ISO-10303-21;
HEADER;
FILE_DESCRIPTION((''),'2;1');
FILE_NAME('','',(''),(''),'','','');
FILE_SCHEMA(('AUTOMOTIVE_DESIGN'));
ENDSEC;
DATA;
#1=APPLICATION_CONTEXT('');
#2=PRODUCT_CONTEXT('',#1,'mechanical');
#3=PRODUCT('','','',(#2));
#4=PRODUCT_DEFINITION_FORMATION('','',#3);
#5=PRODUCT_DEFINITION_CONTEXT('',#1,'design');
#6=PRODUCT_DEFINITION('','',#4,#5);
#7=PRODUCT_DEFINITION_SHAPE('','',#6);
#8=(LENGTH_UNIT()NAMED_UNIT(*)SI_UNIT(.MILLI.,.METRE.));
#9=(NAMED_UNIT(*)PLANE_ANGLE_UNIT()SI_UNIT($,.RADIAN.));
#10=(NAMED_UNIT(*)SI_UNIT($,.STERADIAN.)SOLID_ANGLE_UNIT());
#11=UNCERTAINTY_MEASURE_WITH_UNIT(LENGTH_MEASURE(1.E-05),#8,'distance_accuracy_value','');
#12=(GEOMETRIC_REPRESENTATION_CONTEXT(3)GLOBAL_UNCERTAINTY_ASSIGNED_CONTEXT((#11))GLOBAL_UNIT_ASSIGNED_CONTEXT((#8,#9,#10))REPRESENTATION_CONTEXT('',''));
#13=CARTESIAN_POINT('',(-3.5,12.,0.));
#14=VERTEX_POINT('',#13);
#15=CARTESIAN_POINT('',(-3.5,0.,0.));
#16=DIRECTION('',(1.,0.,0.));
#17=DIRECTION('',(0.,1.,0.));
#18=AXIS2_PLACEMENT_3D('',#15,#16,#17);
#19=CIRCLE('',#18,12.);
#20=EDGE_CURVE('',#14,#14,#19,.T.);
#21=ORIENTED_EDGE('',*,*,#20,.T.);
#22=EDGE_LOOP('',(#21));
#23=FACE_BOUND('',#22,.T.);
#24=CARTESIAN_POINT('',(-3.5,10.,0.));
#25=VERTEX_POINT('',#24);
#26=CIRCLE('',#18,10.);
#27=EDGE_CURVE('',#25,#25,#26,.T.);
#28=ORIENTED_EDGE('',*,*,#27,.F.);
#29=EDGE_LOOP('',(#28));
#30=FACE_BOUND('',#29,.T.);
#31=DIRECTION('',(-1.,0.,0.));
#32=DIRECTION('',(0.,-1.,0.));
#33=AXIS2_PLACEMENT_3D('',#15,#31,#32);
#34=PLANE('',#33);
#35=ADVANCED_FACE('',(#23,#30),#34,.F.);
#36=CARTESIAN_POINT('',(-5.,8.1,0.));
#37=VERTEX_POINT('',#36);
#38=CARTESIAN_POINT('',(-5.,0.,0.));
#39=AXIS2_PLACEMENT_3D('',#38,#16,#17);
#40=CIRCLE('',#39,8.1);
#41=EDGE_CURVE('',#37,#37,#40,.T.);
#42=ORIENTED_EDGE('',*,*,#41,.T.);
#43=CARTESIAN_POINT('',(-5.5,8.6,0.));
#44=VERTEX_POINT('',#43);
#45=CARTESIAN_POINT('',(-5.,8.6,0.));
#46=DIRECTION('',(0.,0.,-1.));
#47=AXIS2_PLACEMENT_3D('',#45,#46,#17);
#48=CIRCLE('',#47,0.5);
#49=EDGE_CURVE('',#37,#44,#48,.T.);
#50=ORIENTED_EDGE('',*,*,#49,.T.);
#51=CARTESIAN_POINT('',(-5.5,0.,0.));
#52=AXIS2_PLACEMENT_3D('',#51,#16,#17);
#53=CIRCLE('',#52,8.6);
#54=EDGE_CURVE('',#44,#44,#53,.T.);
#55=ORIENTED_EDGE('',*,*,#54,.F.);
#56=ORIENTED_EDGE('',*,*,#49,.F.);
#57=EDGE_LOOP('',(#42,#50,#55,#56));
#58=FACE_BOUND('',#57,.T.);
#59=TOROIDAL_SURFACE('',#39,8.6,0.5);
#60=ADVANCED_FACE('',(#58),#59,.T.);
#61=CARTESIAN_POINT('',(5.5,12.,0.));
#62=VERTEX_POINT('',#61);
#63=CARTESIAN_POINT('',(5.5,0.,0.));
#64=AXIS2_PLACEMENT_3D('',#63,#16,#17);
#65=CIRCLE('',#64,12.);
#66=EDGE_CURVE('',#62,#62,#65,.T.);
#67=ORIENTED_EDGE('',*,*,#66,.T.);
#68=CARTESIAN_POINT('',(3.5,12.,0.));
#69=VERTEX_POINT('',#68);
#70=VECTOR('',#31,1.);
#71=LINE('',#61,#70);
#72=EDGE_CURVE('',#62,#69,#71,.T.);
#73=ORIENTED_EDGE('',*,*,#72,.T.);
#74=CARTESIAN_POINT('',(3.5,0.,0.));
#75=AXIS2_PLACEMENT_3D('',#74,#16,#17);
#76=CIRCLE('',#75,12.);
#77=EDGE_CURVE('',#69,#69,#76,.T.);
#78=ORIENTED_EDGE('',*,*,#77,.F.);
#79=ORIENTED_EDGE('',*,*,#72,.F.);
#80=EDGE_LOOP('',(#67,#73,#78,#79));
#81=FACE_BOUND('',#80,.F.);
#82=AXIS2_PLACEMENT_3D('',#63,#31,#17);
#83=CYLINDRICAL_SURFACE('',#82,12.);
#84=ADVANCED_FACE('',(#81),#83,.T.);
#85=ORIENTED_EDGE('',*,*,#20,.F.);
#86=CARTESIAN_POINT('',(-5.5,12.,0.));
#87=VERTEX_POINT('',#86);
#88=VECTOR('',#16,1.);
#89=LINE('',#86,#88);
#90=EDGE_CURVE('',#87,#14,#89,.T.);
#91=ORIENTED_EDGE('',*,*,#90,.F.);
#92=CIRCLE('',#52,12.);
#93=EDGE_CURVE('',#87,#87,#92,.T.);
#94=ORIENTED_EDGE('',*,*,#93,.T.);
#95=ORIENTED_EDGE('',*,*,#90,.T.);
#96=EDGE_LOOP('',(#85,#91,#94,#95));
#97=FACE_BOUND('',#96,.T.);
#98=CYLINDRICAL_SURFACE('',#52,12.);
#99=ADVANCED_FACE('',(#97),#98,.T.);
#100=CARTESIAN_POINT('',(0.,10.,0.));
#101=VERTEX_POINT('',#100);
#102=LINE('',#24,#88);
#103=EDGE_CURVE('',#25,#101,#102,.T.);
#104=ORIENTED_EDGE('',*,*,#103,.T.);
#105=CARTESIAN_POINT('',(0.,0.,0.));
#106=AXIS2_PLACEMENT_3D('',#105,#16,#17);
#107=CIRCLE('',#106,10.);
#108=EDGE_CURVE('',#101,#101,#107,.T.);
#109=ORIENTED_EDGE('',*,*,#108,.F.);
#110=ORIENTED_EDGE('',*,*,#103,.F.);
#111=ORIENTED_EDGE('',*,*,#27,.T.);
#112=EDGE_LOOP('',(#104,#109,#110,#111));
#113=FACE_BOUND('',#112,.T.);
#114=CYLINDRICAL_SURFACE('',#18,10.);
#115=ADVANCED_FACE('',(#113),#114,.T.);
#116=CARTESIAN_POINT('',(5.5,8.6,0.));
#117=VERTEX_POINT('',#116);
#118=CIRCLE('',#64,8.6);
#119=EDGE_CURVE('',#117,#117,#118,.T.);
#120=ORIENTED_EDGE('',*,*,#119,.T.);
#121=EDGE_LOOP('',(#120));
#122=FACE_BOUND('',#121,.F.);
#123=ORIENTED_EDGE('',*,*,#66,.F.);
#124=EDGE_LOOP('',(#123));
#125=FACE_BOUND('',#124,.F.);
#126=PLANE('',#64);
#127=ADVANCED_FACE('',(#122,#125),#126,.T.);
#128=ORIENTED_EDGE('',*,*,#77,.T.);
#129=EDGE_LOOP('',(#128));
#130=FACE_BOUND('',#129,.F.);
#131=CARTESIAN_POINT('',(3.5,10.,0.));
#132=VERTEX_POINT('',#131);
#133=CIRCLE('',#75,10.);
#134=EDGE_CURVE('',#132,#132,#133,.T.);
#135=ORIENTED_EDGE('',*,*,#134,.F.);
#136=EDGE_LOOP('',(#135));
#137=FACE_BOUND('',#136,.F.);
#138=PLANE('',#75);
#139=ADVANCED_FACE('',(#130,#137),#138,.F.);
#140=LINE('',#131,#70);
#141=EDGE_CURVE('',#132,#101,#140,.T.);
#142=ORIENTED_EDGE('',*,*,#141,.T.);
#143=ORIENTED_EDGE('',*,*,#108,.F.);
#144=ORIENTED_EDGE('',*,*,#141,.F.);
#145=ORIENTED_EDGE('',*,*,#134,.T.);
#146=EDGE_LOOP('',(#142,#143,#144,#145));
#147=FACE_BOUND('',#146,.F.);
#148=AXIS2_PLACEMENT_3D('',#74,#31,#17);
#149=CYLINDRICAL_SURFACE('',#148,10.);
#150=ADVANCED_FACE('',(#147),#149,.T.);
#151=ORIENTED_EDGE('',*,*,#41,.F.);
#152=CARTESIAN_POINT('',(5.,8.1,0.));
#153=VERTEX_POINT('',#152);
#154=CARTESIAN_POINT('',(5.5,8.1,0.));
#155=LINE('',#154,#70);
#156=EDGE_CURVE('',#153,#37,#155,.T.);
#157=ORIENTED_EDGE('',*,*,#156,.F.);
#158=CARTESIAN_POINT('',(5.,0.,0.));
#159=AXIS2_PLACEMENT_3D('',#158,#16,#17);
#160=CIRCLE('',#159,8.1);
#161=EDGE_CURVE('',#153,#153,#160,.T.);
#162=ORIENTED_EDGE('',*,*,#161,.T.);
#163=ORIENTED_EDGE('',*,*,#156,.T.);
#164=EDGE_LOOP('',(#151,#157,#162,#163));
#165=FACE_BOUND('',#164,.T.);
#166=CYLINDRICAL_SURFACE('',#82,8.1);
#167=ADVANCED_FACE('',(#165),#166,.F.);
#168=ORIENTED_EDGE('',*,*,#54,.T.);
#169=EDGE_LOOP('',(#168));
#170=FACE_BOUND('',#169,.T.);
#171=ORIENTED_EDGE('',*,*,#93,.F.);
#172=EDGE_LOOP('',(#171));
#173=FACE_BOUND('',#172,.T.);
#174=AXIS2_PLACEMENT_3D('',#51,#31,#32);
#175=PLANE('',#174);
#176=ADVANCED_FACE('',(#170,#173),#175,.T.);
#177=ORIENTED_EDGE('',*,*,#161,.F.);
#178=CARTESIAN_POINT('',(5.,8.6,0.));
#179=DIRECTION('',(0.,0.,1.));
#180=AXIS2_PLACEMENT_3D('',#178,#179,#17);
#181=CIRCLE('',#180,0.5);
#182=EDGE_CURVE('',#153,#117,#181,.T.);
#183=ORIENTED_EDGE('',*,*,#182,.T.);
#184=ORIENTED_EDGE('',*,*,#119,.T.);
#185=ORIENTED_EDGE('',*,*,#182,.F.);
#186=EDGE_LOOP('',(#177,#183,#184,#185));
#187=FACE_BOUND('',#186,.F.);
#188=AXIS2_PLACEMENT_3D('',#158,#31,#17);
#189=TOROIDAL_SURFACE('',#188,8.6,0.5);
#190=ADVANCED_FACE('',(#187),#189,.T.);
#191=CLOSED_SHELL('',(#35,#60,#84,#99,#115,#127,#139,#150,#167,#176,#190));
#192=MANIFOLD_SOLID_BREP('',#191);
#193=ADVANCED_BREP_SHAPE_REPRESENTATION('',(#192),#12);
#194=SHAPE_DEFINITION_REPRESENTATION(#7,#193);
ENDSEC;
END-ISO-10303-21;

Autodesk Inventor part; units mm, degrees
ref_plane "YZ Plane" through (0, 0, 0) normal (1, 0, 0) x (0, 1, 0)
ref_plane "XZ Plane" through (0, 0, 0) normal (0, 1, 0) x (-1, 0, 0)
ref_plane "XY Plane" through (0, 0, 0) normal (0, 0, 1) x (1, 0, 0)
sketch "Sketch1" plane through (0, 0, 0) normal (0, 0, 1) x (1, 0, 0)
  line L0 (5.5, 8.1) -> (5.5, 12)
  line L1 (5.5, 12) -> (3.5, 12)
  line L2 (3.5, 12) -> (3.5, 10)
  line L3 (3.5, 10) -> (0, 10)
  line L4 (5.5, 8.1) -> (0, 8.1)
  line L5 (0, 8.1) -> (0, 10)
  line L6 (-2.3, 0) -> (6.8, 0) projected
  line L7 (0, 5.6) -> (0, 23.1) projected
  line L8 (0, 14.6) -> (0, 8.1)
  line L9 (0, 20.6) -> (0, 14.6)
  point P0 (0, 9.05)
  point P1 (-1, 12)
  point P2 (4.5, 12)
  dimension "d0" = 5.5
  dimension "d1" = 3.5
  dimension "d2" = 10
  dimension "d3" = 12
  dimension "d4" = 8.1
  dimension "d8" = 1
revolve "Revolution1" add sketch "Sketch1" angle 360 about axis through (-10, 0, 0) along (1, 0, 0)
mirror "Mirror2" about plane through (0, 0, 0) normal (1, 0, 0) of "Revolution1"
fillet "Fillet1" radius 0.5 2 edges at (5.5, -8.1, 0) (-5.5, -8.1, 0)
properties part number "Idler_Pulley_Overlay_3DPrint"
